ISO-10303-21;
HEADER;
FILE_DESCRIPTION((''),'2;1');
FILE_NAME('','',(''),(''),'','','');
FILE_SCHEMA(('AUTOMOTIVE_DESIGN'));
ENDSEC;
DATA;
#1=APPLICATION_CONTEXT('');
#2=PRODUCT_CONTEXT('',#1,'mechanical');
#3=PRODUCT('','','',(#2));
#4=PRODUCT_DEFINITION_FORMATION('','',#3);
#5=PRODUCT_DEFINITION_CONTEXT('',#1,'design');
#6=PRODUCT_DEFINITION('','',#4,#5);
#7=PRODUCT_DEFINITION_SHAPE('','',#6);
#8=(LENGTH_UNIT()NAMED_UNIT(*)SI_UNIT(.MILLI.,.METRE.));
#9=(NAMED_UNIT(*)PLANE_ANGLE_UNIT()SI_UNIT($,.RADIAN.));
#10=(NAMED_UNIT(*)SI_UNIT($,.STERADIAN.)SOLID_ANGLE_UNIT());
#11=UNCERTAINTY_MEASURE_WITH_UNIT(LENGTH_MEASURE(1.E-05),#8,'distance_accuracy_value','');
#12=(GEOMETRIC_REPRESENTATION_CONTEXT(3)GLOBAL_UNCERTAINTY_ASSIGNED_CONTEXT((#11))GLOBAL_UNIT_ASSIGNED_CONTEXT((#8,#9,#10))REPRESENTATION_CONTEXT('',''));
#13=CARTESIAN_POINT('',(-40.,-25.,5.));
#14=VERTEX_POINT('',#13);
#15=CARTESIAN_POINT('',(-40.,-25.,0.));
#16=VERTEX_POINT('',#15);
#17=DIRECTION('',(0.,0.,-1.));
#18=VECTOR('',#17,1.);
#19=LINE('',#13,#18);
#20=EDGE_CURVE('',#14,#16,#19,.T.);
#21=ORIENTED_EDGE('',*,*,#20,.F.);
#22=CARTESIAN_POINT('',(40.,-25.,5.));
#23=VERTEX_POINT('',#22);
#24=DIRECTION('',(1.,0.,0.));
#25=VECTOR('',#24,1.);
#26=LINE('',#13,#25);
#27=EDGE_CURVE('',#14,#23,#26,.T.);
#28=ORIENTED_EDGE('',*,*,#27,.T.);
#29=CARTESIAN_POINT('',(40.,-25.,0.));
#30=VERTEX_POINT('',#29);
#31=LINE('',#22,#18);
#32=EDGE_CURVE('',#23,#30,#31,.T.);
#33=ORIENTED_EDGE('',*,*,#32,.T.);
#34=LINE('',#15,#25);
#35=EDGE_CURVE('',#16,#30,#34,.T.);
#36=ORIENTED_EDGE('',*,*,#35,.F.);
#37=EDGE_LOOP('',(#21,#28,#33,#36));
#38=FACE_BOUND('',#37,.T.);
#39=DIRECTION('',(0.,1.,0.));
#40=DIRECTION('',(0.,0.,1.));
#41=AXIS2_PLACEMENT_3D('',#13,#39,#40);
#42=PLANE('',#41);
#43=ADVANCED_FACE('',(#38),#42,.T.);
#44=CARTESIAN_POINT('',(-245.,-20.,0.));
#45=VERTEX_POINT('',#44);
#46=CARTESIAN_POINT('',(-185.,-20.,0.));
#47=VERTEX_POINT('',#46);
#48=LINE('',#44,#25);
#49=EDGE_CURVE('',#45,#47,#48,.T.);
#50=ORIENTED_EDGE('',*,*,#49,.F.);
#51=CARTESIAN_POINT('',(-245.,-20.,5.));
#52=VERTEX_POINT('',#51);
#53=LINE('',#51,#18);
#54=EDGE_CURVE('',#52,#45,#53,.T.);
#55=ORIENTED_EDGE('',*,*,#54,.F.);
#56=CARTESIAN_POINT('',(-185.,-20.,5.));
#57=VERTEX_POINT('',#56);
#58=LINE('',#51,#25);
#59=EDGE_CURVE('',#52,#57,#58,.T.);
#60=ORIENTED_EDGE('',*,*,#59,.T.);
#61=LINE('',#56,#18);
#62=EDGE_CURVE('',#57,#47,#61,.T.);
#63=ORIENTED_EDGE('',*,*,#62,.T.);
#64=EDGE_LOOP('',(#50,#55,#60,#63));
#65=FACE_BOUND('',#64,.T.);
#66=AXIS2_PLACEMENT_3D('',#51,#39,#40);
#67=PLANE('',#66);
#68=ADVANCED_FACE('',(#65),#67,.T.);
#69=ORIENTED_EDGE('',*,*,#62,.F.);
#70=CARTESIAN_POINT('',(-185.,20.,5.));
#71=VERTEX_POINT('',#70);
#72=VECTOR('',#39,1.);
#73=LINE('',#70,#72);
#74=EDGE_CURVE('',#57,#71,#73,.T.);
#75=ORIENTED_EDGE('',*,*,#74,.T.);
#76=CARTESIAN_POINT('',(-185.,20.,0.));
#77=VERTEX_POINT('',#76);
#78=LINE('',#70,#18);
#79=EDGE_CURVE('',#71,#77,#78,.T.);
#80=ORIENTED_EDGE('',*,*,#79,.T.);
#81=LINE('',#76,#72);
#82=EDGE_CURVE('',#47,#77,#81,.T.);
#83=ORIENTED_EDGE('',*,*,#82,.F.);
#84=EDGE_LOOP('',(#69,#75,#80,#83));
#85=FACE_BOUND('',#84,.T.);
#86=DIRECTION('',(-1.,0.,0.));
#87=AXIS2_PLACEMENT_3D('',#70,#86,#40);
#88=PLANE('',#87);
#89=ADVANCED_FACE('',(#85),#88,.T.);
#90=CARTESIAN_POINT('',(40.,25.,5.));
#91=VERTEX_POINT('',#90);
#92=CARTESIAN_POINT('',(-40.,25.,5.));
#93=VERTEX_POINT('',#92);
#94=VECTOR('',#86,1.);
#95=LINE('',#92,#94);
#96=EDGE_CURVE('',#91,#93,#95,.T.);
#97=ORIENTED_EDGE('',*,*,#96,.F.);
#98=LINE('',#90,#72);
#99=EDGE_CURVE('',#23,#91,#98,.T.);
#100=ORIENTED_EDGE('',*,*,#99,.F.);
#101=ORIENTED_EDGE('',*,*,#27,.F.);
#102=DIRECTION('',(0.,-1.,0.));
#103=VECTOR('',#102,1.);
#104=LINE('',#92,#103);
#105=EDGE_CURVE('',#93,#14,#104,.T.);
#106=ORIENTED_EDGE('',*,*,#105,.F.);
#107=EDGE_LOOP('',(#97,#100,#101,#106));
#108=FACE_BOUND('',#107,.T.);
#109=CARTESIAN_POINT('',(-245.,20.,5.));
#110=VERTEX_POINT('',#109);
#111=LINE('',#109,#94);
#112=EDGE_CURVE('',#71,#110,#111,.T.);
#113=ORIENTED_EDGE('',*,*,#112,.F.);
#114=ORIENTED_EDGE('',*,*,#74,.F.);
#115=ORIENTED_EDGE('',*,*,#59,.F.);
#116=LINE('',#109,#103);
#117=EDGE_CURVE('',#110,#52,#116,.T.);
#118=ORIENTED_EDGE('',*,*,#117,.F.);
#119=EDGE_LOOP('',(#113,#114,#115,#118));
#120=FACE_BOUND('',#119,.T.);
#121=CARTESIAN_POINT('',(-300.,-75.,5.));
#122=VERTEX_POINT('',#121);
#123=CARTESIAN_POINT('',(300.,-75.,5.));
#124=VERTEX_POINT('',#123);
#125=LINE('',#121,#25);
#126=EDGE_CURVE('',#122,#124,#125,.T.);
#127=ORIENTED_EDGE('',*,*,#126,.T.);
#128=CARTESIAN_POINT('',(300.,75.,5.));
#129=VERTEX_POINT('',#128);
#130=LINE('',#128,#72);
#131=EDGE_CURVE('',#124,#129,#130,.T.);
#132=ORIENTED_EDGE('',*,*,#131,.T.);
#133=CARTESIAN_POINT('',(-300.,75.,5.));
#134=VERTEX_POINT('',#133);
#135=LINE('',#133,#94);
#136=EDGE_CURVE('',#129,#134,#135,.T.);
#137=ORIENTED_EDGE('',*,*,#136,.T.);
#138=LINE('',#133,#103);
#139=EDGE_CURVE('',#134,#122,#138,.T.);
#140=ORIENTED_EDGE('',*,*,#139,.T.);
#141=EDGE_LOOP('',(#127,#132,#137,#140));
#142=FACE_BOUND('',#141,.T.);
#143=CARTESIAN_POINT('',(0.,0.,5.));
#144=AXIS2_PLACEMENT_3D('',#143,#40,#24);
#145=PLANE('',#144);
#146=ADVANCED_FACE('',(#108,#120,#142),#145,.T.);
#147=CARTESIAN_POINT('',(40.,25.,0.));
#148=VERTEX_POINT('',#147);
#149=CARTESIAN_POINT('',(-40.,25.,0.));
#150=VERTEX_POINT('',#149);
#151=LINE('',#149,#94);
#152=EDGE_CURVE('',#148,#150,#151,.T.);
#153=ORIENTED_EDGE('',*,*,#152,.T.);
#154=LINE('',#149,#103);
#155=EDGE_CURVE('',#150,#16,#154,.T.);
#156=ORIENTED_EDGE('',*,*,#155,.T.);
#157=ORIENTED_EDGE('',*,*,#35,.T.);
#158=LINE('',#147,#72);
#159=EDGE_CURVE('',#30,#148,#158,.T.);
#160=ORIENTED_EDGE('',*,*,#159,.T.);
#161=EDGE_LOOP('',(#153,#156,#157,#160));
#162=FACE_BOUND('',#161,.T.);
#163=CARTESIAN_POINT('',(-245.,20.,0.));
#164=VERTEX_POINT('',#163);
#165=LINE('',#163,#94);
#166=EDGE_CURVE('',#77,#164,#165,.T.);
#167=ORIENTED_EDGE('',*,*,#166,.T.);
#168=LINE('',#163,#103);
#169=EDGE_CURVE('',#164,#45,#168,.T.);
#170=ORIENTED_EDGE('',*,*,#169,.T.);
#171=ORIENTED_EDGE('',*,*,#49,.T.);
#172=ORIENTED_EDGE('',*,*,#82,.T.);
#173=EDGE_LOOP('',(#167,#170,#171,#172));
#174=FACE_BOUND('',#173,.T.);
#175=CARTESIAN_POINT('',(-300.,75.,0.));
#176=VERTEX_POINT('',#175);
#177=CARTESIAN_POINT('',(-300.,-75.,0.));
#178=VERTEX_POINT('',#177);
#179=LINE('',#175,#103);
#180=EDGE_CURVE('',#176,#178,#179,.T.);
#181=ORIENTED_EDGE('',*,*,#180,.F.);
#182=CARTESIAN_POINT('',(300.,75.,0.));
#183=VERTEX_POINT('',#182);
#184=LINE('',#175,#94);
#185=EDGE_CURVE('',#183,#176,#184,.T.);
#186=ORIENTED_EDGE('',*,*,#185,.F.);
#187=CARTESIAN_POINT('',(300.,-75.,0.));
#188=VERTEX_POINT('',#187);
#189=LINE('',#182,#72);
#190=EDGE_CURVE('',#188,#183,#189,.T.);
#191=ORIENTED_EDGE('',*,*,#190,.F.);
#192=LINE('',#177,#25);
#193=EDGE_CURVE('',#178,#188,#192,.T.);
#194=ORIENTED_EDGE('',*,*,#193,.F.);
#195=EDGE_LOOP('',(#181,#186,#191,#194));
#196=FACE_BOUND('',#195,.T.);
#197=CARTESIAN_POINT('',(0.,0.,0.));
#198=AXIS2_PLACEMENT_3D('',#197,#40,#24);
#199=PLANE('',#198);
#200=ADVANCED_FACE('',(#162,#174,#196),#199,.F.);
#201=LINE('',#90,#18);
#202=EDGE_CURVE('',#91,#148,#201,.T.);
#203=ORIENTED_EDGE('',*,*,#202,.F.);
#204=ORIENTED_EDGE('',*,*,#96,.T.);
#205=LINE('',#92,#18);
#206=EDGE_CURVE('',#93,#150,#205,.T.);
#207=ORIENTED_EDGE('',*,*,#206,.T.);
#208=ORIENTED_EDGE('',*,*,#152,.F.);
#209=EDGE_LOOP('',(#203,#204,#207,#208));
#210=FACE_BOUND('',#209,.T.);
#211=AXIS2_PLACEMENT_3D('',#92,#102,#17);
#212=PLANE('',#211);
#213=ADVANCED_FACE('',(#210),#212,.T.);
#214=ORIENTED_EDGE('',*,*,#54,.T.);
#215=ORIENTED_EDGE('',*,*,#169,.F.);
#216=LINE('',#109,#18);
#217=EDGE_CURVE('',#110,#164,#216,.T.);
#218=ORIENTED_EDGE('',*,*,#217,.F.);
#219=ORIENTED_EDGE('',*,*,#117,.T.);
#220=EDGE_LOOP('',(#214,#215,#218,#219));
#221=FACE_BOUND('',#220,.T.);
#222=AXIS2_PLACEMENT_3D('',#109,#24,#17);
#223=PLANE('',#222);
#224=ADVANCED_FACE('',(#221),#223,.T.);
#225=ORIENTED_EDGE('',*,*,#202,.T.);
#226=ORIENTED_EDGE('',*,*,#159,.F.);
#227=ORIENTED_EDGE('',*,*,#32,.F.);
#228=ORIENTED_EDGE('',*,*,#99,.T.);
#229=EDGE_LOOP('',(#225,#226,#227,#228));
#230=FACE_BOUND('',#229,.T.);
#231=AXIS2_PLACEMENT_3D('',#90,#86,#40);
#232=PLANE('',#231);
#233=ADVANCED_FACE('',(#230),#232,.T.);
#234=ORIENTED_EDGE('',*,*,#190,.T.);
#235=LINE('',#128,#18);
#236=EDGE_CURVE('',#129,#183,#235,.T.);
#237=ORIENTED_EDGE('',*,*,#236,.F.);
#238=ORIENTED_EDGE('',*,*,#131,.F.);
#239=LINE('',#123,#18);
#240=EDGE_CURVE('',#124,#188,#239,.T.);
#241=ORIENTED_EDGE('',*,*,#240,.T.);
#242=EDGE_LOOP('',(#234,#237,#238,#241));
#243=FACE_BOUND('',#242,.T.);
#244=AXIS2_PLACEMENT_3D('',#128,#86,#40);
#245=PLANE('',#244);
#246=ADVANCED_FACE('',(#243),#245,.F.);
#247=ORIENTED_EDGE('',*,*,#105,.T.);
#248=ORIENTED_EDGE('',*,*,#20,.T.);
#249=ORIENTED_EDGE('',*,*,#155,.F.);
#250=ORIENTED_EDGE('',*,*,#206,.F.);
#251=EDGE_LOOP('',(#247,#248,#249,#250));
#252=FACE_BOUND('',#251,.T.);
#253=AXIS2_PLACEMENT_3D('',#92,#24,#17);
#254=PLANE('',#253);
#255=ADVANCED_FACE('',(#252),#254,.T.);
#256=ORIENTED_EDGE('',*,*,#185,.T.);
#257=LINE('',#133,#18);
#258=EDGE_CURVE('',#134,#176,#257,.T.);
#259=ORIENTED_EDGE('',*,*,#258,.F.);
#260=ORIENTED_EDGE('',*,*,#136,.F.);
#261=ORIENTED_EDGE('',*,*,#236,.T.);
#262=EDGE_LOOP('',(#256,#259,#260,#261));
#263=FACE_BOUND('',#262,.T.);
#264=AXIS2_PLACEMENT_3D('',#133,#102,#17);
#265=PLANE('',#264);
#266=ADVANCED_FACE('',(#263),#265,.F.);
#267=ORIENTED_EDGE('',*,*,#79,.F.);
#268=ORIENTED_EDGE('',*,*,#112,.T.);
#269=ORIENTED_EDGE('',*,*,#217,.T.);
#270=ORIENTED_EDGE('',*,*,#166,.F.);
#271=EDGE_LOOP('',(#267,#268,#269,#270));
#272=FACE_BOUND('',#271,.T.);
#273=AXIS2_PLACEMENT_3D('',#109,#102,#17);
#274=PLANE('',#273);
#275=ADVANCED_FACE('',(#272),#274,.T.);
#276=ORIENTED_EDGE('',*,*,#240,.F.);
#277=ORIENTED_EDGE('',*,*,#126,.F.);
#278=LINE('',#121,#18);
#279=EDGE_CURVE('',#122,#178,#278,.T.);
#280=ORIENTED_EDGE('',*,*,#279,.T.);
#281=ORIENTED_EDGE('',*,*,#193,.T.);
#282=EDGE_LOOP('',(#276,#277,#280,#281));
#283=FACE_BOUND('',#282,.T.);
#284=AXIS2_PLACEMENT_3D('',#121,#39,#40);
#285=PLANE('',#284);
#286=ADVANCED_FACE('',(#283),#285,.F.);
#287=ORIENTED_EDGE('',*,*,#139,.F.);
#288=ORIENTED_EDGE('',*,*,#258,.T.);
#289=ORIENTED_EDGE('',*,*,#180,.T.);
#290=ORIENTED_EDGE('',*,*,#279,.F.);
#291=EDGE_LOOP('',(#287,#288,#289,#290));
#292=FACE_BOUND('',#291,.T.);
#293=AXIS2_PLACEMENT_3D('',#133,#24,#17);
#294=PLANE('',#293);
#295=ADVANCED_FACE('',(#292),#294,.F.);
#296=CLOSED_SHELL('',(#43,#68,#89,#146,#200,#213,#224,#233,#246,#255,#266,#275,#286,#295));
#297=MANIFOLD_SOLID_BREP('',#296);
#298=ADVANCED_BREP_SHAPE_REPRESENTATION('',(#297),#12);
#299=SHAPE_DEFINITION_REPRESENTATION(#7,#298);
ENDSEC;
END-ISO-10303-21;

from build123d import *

# Parameters (mm, degrees)
SKETCH1_W           = 600
SKETCH1_H           = 150
SKETCH1_W_2         = 60
SKETCH1_H_2         = 40
SKETCH1_W_3         = 80
SKETCH1_H_3         = 50
BOSS_EXTRUDE1_DEPTH = 5


with BuildPart() as part:
    # Sketch1 → Boss-Extrude1 (new body)
    with BuildSketch(Plane.XY):
        Rectangle(SKETCH1_W, SKETCH1_H)
        with Locations((-215, 0)):
            Rectangle(SKETCH1_W_2, SKETCH1_H_2, mode=Mode.SUBTRACT)
        Rectangle(SKETCH1_W_3, SKETCH1_H_3, mode=Mode.SUBTRACT)
    extrude(amount=BOSS_EXTRUDE1_DEPTH)


solid = part.part
